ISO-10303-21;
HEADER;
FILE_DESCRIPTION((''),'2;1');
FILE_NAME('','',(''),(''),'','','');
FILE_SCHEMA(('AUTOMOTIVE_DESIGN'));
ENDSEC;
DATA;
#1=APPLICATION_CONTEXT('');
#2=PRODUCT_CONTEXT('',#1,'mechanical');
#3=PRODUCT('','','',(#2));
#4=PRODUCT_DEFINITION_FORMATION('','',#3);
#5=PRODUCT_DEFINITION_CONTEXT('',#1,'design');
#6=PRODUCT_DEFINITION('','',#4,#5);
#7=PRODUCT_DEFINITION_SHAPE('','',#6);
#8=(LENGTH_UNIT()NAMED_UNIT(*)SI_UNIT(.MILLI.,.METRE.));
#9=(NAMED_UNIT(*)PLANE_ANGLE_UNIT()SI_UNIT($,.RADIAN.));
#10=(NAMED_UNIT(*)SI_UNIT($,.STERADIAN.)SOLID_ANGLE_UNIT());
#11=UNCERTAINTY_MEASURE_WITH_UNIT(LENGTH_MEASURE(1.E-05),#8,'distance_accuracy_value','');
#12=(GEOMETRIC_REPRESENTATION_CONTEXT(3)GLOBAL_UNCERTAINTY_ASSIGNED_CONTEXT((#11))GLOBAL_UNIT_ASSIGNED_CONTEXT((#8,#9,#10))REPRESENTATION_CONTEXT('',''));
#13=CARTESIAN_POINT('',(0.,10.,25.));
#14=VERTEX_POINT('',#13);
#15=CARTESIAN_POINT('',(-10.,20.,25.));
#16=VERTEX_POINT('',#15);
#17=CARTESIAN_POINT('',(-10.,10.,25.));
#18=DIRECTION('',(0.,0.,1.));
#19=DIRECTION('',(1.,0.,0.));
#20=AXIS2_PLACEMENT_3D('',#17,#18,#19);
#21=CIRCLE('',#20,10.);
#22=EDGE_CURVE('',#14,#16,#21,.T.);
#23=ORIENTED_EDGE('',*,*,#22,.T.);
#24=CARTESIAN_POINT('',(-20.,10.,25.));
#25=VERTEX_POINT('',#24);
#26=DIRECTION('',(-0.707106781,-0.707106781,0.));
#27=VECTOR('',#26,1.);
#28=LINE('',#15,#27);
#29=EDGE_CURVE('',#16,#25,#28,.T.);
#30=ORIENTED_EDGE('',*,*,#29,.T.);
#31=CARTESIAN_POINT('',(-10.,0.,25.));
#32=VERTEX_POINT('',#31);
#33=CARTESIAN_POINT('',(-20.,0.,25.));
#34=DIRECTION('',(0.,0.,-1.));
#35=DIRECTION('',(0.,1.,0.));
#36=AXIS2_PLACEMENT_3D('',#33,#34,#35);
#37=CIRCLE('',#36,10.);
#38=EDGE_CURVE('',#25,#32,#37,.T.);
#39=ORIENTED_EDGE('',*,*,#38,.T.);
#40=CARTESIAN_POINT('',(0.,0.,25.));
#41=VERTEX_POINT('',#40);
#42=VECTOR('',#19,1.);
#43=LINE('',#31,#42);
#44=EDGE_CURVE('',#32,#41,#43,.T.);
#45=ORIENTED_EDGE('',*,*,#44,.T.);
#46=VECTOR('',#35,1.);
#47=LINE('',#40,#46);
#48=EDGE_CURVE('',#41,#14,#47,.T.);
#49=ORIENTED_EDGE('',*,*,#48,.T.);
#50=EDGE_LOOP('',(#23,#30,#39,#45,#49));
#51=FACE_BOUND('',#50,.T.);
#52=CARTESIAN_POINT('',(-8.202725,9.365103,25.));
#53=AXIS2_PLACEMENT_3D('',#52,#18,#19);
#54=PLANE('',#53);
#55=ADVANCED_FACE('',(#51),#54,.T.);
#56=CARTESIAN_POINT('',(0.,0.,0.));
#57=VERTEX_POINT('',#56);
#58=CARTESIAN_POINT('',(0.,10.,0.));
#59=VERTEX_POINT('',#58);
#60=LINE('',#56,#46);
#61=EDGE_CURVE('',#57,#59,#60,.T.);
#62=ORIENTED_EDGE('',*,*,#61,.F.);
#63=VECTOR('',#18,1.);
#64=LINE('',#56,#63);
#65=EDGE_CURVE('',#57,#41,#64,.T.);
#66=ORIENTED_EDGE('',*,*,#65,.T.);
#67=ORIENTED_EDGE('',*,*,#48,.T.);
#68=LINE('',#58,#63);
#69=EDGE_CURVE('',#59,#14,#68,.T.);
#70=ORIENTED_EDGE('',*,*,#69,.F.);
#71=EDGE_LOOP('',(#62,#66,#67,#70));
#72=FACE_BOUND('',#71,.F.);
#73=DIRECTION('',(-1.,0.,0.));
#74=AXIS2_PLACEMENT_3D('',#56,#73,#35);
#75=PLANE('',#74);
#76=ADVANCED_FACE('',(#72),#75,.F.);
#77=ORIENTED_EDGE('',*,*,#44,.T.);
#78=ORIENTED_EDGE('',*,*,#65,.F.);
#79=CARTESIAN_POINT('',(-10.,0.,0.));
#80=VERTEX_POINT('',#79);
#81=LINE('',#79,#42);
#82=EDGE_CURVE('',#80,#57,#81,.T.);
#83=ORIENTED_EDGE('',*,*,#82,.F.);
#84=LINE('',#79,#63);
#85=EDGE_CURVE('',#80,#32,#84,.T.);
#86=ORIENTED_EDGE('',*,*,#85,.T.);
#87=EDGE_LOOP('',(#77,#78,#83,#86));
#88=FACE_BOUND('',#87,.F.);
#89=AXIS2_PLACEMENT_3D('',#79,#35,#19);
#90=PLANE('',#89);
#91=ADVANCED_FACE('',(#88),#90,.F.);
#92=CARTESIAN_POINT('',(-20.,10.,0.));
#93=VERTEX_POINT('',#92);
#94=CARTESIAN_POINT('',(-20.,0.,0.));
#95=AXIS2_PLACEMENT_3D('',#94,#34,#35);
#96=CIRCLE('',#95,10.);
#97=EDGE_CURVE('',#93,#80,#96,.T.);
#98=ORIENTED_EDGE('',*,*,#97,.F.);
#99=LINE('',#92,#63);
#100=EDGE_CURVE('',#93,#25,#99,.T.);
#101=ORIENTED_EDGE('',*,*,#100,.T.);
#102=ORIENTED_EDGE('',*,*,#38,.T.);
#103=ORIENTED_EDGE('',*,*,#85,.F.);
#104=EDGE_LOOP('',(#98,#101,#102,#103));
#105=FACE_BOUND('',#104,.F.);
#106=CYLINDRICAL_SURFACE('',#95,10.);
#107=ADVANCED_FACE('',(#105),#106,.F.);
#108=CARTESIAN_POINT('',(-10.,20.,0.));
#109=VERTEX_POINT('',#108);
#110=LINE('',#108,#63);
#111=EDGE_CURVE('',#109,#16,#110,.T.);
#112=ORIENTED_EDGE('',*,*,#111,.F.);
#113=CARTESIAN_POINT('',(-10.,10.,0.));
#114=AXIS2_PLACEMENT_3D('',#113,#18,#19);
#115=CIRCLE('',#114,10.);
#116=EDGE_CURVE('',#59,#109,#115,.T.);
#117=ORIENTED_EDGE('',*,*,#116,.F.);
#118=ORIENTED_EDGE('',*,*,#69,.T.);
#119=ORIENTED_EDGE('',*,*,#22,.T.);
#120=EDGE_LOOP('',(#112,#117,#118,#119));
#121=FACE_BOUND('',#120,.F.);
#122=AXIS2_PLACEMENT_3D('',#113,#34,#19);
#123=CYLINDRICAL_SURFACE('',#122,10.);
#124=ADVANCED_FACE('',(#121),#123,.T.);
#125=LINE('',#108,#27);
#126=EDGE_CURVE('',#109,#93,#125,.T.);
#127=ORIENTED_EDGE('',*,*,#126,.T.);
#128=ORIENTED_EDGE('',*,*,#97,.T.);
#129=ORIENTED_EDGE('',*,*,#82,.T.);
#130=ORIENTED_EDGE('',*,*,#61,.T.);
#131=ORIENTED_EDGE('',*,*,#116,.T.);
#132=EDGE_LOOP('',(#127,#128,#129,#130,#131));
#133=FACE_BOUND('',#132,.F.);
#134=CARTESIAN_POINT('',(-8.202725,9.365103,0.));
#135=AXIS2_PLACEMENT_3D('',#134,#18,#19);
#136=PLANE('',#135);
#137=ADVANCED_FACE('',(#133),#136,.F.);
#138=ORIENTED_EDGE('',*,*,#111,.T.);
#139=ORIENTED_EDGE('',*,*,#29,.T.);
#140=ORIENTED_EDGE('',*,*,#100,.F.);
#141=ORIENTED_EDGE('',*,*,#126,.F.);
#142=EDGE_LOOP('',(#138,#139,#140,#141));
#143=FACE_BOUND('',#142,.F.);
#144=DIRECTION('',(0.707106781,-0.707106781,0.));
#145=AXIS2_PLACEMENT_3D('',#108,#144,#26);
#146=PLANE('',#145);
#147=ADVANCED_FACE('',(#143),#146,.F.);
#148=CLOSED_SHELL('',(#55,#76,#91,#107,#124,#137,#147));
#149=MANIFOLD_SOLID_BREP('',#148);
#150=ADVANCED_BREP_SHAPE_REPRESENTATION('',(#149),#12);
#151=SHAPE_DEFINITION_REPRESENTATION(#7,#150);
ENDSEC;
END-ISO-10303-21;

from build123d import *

# Parameters (mm, degrees)
BOSS_EXTRUDE1_DEPTH = 25


with BuildPart() as part:
    # Sketch1 → Boss-Extrude1 (new body)
    with BuildSketch(Plane.XY):
        with BuildLine():
            Line((-10, 0), (0, 0))
            Line((0, 0), (0, 10))
            ThreePointArc((0, 10), (-2.928932188, 17.071067812), (-10, 20))
            Line((-10, 20), (-20, 10))
            ThreePointArc((-20, 10), (-12.928932188, 7.071067812), (-10, 0))
        make_face()
    extrude(amount=BOSS_EXTRUDE1_DEPTH)


solid = part.part
